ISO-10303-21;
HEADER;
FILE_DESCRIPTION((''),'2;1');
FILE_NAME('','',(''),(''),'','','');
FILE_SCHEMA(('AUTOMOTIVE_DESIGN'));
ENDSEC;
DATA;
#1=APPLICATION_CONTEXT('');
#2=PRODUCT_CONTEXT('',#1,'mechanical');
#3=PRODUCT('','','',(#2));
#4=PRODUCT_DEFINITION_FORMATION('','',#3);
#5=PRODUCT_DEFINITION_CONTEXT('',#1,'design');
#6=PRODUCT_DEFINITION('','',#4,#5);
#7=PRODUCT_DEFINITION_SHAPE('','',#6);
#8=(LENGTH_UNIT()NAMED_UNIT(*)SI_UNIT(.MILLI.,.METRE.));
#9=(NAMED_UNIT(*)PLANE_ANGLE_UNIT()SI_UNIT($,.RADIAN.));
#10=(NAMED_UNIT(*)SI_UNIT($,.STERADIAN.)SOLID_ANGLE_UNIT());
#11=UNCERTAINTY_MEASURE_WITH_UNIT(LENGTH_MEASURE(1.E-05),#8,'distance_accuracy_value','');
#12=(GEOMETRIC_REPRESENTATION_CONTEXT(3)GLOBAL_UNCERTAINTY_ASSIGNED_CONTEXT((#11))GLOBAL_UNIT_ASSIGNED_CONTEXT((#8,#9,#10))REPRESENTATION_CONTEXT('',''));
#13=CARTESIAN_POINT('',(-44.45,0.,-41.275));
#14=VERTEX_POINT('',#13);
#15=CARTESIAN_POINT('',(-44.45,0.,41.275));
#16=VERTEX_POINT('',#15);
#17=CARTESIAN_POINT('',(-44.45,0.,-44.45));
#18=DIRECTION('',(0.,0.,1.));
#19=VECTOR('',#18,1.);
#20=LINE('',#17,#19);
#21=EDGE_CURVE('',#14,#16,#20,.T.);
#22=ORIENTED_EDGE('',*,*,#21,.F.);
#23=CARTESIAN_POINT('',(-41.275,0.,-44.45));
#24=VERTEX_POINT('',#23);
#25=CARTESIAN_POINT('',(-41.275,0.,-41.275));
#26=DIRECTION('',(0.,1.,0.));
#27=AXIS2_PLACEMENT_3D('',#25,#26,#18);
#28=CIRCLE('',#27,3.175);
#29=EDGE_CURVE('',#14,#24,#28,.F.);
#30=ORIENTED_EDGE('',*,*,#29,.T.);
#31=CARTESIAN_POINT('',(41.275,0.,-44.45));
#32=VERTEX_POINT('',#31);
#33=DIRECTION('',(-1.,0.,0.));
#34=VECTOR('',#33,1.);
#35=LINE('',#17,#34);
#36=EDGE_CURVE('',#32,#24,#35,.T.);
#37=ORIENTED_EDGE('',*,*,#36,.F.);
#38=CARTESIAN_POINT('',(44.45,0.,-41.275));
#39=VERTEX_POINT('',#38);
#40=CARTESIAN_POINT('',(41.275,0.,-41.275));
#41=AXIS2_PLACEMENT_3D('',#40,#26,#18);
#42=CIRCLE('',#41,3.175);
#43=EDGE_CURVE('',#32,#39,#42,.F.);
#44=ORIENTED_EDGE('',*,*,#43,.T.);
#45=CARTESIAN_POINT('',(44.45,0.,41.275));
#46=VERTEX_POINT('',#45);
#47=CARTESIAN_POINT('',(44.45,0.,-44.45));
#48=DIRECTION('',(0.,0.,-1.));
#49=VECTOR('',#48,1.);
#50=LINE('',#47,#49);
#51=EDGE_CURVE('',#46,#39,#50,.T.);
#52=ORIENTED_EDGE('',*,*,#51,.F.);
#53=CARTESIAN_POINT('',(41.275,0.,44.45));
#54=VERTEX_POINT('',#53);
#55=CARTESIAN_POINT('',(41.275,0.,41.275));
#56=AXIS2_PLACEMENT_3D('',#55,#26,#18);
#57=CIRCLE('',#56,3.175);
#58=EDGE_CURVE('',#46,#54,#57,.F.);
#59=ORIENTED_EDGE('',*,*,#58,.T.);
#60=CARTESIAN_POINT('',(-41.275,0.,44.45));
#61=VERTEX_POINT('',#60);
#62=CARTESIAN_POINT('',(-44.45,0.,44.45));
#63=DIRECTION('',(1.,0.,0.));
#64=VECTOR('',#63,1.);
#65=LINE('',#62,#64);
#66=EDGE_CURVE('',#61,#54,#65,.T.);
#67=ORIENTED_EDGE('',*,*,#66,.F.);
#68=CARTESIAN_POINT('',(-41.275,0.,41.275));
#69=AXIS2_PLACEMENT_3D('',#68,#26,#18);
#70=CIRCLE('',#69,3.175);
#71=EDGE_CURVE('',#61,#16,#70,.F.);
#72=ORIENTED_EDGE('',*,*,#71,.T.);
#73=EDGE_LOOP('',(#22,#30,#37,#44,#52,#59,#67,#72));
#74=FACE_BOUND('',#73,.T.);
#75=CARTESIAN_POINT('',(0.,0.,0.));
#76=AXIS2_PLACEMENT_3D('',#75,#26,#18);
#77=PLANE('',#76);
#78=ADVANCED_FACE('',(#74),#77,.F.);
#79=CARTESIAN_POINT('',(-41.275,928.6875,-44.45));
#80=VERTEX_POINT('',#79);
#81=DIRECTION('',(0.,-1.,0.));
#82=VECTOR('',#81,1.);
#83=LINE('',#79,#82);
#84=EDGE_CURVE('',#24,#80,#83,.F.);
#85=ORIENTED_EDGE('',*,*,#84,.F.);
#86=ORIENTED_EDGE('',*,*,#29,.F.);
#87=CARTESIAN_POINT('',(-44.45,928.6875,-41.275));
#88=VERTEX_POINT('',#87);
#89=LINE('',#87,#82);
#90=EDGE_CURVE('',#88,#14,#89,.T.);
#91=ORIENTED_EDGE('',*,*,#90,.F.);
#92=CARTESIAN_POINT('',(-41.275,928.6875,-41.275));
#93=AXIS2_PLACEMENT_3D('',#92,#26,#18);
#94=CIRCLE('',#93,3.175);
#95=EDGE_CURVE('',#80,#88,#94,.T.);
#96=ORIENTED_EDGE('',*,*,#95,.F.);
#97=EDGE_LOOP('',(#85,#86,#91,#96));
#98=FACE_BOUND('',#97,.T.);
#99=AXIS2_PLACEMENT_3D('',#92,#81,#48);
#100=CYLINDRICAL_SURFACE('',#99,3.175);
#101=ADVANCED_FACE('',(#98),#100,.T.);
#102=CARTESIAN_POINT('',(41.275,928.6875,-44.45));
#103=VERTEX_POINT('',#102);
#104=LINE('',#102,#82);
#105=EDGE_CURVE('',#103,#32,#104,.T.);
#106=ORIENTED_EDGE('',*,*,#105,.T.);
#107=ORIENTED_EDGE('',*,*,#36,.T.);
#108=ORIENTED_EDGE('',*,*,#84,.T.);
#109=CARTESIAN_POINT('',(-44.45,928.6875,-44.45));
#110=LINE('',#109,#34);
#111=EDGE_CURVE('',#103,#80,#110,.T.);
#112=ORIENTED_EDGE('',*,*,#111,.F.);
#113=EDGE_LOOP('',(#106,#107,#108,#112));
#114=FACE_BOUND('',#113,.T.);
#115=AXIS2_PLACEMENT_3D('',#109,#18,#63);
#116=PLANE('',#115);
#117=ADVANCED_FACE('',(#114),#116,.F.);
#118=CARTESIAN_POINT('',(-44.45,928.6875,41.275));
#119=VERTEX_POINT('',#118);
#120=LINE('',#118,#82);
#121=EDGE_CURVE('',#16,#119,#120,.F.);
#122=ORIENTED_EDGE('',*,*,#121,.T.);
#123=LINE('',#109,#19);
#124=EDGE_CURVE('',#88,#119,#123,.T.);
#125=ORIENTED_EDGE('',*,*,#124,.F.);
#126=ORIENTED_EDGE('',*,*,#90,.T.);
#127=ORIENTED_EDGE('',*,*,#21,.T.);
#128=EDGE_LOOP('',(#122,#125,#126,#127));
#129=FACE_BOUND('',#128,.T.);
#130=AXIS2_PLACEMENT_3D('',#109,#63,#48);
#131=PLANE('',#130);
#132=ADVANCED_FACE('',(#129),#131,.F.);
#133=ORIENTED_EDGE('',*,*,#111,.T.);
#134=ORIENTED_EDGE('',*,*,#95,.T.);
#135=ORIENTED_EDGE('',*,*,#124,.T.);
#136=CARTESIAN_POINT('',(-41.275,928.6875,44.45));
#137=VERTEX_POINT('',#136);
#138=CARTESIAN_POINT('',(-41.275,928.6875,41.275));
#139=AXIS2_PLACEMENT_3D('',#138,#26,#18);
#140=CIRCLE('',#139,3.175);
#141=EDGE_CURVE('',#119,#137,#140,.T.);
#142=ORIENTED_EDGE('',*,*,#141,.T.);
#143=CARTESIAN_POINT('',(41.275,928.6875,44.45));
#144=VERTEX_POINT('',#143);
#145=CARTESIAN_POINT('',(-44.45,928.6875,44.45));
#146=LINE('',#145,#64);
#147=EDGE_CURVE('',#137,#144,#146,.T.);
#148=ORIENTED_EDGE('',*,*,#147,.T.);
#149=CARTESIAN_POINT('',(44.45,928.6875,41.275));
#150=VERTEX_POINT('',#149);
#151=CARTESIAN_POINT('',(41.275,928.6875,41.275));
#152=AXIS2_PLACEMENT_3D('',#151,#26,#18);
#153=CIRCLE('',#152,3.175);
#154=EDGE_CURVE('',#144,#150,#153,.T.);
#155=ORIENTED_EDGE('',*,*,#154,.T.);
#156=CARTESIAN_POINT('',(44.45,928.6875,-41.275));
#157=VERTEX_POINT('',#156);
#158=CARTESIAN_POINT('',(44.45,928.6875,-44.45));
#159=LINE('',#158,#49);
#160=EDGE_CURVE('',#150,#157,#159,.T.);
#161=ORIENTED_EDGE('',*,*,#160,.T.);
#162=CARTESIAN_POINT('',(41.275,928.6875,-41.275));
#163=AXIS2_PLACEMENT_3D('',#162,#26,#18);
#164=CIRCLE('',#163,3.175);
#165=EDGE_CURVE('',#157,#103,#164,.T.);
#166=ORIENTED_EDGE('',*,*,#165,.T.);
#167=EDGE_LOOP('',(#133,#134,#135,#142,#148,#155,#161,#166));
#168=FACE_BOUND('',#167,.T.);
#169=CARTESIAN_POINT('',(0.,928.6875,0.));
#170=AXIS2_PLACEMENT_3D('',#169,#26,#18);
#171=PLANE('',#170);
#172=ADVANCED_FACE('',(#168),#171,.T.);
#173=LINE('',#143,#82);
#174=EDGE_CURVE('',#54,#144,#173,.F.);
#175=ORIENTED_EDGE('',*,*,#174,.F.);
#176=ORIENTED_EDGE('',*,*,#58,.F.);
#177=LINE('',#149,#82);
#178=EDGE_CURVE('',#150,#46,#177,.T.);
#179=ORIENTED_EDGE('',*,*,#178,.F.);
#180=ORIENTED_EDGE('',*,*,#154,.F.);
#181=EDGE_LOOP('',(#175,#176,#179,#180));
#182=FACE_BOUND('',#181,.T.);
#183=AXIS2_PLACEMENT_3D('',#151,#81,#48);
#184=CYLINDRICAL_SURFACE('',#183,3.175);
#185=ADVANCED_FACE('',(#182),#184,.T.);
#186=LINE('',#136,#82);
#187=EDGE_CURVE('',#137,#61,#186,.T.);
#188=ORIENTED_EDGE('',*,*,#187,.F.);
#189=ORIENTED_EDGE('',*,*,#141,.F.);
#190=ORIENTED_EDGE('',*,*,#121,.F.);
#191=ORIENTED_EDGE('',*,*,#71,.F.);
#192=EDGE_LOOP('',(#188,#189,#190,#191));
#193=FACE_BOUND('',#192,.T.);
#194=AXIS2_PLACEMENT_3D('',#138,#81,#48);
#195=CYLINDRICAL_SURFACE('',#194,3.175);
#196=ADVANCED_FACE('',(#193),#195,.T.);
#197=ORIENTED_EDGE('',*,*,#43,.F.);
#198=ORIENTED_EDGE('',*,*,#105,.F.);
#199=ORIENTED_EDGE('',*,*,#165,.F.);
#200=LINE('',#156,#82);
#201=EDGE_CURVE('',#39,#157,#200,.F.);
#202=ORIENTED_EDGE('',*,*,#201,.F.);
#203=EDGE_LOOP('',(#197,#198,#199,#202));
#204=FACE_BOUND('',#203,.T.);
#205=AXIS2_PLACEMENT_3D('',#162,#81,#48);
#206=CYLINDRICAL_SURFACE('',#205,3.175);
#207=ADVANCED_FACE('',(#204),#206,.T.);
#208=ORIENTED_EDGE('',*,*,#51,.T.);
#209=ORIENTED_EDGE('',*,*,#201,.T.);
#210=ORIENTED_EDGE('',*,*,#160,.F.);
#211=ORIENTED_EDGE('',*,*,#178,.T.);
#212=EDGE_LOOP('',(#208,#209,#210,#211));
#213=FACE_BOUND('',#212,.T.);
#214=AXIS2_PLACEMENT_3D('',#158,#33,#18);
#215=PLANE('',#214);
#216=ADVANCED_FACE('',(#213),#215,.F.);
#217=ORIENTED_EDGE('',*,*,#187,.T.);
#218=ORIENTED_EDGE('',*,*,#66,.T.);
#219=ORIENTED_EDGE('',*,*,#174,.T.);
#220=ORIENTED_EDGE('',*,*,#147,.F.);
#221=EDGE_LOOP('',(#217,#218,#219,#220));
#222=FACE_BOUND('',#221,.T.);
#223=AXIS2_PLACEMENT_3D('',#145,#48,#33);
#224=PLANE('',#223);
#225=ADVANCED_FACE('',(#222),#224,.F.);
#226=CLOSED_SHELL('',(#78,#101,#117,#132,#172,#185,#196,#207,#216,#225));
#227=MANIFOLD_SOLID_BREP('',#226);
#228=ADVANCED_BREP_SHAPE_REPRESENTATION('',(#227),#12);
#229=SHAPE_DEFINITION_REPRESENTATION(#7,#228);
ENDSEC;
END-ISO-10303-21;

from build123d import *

# Parameters (mm, degrees)
SKETCH1_W           = 88.9
SKETCH1_H           = 88.9
BOSS_EXTRUDE1_DEPTH = 928.6875
FILLET1_R           = 3.175


with BuildPart() as part:
    # Sketch1 → Boss-Extrude1 (new body)
    with BuildSketch(Plane(origin=(0, 0, 0), x_dir=(1, 0, 0), z_dir=(0, 1, 0))):
        Rectangle(SKETCH1_W, SKETCH1_H)
    extrude(amount=BOSS_EXTRUDE1_DEPTH)

    # Fillet1
    fillet1_edges = [part.edges().sort_by_distance(p)[0] for p in [
        (44.45, 464.34375, 44.45),
        (-44.45, 464.34375, 44.45),
        (-44.45, 464.34375, -44.45),
        (44.45, 464.34375, -44.45),
    ]]
    fillet(fillet1_edges, radius=FILLET1_R)


solid = part.part
